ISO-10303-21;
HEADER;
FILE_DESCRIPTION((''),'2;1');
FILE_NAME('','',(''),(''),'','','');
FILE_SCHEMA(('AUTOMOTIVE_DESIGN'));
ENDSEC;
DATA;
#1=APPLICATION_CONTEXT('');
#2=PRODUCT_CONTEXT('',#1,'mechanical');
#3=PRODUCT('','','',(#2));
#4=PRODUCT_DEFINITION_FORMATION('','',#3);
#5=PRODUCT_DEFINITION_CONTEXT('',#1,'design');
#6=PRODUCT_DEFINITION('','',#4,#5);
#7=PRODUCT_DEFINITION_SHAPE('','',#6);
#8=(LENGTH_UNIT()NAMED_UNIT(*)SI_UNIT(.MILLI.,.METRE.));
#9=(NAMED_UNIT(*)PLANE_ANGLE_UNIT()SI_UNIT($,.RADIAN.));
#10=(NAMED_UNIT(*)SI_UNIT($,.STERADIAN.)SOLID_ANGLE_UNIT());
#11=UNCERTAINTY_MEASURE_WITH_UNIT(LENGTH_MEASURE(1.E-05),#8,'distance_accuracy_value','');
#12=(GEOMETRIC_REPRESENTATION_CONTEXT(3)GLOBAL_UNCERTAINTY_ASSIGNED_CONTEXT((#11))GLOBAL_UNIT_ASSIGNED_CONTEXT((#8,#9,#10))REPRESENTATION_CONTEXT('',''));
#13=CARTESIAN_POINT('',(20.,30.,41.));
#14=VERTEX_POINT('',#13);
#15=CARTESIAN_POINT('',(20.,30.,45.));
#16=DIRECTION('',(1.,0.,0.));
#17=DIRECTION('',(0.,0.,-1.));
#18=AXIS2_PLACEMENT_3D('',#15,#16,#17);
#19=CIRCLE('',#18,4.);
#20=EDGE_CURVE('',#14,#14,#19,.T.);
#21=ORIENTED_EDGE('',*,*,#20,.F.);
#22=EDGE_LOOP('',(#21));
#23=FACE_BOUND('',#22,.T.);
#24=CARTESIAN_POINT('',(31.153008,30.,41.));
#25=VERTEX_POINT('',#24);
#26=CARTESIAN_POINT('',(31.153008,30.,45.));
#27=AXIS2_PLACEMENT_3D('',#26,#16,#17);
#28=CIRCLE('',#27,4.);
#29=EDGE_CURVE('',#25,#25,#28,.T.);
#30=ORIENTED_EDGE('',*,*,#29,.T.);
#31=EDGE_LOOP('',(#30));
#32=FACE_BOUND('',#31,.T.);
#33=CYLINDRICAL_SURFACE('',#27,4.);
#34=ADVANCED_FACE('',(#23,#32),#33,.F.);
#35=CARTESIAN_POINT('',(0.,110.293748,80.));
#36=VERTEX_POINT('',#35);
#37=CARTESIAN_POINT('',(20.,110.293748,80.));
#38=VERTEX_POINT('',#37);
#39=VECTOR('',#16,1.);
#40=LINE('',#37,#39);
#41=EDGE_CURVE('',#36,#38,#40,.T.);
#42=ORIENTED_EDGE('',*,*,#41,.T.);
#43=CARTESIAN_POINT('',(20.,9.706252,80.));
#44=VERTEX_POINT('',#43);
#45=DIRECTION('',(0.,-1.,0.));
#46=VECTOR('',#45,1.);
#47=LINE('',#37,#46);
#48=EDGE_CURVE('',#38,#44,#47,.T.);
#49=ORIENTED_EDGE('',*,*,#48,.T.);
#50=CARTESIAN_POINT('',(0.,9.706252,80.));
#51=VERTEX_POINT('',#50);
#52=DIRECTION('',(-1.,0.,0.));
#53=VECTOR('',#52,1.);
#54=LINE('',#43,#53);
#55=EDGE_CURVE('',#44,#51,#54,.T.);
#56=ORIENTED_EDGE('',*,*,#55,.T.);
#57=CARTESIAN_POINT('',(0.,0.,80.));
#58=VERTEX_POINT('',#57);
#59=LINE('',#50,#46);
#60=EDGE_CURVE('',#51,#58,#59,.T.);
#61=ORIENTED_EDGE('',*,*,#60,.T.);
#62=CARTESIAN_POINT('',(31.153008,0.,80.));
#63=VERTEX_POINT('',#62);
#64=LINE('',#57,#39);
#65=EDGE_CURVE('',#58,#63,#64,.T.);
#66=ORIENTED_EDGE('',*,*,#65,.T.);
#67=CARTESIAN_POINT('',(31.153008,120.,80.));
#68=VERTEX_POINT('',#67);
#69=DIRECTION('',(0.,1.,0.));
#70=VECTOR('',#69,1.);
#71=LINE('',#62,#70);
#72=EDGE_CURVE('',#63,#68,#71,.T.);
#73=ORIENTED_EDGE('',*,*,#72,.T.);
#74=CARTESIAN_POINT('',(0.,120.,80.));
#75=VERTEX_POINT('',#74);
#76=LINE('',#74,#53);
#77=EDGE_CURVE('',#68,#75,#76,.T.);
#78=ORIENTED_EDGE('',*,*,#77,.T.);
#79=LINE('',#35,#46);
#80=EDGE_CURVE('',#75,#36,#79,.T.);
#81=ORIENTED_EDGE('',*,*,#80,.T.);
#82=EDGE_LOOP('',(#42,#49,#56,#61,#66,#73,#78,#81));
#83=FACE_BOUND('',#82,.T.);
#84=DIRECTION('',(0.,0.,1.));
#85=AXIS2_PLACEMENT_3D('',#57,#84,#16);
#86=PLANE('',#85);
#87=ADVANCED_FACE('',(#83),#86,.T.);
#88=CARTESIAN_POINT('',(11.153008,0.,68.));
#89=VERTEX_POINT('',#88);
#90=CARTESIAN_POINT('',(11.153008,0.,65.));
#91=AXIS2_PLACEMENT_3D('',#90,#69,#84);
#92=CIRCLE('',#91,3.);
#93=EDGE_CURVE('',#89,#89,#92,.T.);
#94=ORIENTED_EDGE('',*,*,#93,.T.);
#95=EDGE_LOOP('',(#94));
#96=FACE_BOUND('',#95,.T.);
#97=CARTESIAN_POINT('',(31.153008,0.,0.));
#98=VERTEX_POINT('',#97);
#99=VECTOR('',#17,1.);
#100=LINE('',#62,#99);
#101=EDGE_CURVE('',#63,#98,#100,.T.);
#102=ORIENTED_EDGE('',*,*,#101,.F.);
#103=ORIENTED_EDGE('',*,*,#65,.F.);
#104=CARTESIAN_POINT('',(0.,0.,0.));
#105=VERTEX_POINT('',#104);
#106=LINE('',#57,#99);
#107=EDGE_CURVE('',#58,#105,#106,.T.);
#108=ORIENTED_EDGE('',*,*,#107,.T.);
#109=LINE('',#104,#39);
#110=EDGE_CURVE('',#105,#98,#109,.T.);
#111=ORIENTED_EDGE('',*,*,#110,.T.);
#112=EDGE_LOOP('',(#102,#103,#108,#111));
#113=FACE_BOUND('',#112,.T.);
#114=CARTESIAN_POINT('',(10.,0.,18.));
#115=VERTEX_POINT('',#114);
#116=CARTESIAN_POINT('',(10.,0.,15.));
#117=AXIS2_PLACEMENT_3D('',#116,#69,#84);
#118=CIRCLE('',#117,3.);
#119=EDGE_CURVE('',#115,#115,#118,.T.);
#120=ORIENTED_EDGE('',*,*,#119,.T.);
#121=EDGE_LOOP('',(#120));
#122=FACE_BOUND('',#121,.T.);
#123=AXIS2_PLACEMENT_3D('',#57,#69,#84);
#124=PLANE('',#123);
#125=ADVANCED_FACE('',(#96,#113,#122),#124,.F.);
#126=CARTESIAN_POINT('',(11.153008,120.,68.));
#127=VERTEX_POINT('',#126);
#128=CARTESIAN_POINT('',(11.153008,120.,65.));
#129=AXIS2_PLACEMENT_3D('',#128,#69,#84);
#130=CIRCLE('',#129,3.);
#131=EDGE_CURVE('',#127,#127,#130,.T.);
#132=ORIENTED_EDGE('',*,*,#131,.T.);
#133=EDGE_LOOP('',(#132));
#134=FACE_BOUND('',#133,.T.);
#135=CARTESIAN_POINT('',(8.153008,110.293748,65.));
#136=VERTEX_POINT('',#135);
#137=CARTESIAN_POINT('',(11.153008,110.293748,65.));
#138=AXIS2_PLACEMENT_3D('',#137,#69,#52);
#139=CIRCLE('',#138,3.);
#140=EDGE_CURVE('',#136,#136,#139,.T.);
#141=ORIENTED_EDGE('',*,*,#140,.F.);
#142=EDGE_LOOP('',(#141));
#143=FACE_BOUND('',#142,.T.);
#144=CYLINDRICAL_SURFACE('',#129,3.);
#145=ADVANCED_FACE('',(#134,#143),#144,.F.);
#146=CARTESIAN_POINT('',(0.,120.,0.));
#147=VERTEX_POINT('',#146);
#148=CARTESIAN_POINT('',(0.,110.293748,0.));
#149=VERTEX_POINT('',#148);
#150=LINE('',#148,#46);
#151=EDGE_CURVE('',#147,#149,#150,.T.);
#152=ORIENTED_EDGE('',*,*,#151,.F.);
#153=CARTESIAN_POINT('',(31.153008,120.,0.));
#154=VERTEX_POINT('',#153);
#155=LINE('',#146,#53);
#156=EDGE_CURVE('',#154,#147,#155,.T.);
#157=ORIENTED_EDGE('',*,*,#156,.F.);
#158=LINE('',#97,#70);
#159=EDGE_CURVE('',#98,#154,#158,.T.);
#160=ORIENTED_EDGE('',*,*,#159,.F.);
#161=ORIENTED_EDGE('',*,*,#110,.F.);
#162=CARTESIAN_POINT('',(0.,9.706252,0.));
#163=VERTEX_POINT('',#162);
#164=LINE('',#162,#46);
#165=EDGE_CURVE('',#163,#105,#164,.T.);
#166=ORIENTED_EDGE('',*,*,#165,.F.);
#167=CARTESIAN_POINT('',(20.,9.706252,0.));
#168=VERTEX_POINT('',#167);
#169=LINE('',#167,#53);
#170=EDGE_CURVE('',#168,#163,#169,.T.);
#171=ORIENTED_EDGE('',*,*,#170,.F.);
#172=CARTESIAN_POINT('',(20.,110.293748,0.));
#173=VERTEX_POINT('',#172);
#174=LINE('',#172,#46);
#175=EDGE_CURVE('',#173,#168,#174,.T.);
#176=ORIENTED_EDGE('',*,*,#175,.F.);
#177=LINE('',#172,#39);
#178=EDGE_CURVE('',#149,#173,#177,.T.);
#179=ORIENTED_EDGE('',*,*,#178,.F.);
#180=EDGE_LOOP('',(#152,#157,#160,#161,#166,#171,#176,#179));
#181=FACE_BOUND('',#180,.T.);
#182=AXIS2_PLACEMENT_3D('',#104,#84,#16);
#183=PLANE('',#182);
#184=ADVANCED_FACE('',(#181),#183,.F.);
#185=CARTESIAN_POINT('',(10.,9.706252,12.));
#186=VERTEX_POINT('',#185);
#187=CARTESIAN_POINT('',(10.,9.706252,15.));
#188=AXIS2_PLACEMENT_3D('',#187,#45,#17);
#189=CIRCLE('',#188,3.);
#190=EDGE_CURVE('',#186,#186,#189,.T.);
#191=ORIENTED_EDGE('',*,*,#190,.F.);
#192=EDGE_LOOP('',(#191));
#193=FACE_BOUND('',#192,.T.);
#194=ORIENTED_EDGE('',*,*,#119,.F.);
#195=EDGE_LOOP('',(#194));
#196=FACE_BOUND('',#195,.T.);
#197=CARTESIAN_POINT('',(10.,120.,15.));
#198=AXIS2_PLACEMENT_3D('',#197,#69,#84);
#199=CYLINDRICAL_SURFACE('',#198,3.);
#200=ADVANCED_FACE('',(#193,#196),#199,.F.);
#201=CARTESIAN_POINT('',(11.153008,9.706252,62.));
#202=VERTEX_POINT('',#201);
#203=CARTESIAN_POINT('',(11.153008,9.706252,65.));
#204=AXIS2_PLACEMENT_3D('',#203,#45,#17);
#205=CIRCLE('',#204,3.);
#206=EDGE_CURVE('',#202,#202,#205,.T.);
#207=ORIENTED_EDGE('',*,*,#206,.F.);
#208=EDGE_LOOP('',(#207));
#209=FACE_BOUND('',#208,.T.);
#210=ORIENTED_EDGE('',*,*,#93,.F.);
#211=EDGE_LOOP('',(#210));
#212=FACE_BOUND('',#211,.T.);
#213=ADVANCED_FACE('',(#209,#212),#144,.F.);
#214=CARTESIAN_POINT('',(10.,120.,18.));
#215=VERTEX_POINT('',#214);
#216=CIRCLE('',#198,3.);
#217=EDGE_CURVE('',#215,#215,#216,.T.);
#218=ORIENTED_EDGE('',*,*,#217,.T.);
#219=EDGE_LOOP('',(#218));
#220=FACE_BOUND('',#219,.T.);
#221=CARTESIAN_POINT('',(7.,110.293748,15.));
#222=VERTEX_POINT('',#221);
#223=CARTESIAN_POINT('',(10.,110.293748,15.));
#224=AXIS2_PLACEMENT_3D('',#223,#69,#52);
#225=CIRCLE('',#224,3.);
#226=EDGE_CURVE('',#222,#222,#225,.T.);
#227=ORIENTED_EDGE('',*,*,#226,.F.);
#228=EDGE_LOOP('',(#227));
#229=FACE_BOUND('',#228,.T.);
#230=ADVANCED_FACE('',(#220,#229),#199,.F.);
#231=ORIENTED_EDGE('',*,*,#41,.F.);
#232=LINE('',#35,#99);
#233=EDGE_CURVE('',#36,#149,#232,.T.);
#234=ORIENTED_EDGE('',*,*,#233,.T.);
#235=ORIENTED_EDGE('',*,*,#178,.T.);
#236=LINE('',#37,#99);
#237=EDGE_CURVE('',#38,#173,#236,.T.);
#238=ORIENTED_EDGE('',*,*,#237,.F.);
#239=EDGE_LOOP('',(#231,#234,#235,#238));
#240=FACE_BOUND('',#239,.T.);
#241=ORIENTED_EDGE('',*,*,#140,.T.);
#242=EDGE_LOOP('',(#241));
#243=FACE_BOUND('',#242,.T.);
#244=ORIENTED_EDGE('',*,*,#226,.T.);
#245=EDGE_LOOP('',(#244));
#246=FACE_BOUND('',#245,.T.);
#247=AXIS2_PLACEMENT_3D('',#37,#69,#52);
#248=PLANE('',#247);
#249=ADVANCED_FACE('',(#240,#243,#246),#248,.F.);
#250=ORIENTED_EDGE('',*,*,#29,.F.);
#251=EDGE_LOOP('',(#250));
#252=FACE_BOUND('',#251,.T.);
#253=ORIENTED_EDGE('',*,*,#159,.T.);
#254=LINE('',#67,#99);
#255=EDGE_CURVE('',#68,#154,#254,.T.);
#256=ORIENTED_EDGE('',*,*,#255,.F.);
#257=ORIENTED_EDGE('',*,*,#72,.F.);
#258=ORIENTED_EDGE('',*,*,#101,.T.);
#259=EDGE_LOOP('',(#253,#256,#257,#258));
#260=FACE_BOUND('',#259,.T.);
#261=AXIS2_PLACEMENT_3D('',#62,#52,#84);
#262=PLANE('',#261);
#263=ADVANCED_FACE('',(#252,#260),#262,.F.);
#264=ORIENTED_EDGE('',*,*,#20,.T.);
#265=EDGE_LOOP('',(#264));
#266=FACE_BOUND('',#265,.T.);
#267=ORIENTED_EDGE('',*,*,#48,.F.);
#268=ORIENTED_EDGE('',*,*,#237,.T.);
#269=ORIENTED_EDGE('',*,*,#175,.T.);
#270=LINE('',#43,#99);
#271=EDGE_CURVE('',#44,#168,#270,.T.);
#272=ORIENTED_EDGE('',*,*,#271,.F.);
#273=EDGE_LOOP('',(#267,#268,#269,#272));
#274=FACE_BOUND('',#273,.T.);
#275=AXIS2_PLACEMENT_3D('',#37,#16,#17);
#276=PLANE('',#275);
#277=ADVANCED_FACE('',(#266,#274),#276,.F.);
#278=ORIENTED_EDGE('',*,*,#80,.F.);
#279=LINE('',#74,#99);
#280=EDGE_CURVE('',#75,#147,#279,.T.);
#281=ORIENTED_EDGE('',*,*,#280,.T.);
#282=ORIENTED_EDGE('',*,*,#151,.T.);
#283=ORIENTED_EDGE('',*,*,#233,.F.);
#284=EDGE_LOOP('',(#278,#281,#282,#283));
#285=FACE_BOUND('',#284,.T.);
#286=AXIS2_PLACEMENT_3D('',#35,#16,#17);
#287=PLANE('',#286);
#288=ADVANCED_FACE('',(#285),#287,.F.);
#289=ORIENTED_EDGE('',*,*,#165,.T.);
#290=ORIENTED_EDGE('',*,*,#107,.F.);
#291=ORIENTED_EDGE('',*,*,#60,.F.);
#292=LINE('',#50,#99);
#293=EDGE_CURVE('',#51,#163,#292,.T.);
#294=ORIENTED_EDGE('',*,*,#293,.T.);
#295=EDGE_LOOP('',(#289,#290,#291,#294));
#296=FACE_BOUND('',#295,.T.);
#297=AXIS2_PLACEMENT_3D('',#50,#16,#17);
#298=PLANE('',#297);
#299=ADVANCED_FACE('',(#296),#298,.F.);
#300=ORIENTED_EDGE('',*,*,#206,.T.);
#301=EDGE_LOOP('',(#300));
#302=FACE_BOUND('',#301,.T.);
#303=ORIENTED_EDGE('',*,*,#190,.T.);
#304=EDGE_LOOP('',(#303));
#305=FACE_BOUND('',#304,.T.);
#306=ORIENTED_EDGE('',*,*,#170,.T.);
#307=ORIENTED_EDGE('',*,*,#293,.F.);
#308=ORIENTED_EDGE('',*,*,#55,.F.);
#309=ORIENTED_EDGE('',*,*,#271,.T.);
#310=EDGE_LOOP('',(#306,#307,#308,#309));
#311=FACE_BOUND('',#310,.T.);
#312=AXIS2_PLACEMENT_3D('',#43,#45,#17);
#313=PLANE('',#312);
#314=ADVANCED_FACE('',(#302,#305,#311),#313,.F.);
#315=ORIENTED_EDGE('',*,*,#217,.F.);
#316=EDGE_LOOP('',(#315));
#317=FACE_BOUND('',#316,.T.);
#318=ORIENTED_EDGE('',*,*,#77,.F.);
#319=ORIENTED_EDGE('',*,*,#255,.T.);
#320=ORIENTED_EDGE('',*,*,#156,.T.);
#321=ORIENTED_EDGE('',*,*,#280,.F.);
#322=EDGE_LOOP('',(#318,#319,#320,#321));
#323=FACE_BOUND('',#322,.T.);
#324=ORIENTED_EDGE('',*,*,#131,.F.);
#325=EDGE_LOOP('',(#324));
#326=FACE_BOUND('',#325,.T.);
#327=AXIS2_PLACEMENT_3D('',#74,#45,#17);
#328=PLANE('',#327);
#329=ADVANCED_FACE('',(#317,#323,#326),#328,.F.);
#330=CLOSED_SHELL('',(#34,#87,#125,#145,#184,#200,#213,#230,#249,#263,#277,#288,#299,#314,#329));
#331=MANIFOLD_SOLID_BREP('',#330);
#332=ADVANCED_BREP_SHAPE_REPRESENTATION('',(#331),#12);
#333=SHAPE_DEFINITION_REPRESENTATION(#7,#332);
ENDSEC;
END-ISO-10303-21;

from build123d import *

# Parameters (mm, degrees)
BOSS_EXTRUDE1_DEPTH      = 80
F_6_0_6_DIAMETER_HOLE1_D = 6
F_8_0_8_DIAMETER_HOLE1_D = 8
F_6_0_6_DIAMETER_HOLE2_D = 6


with BuildPart() as part:
    # Sketch2 → Boss-Extrude1 (new body)
    with BuildSketch(Plane.XY):
        Polygon((0, 0), (31.153008197, 0), (31.153008197, 120), (0, 120), (0, 110.293748295), (20, 110.293748295), (20, 9.706251705), (0, 9.706251705), align=None)
    extrude(amount=BOSS_EXTRUDE1_DEPTH)

    # Ø6.0 (6) Diameter Hole1 (through all)
    with Locations(Plane(origin=(0, 120, 0), x_dir=(1, 0, 0), z_dir=(0, 1, 0))):
        with Locations((10, -15)):
            Hole(F_6_0_6_DIAMETER_HOLE1_D / 2)

    # Ø8.0 (8) Diameter Hole1 (through all)
    with Locations(Plane(origin=(31.153008197, 0, 0), x_dir=(0, 0, -1), z_dir=(1, 0, 0))):
        with Locations((-45, 30)):
            Hole(F_8_0_8_DIAMETER_HOLE1_D / 2)

    # Ø6.0 (6) Diameter Hole2 (through all)
    with Locations(Plane(origin=(0, 120, 0), x_dir=(1, 0, 0), z_dir=(0, 1, 0))):
        with Locations((11.153008197, -65)):
            Hole(F_6_0_6_DIAMETER_HOLE2_D / 2)


solid = part.part
